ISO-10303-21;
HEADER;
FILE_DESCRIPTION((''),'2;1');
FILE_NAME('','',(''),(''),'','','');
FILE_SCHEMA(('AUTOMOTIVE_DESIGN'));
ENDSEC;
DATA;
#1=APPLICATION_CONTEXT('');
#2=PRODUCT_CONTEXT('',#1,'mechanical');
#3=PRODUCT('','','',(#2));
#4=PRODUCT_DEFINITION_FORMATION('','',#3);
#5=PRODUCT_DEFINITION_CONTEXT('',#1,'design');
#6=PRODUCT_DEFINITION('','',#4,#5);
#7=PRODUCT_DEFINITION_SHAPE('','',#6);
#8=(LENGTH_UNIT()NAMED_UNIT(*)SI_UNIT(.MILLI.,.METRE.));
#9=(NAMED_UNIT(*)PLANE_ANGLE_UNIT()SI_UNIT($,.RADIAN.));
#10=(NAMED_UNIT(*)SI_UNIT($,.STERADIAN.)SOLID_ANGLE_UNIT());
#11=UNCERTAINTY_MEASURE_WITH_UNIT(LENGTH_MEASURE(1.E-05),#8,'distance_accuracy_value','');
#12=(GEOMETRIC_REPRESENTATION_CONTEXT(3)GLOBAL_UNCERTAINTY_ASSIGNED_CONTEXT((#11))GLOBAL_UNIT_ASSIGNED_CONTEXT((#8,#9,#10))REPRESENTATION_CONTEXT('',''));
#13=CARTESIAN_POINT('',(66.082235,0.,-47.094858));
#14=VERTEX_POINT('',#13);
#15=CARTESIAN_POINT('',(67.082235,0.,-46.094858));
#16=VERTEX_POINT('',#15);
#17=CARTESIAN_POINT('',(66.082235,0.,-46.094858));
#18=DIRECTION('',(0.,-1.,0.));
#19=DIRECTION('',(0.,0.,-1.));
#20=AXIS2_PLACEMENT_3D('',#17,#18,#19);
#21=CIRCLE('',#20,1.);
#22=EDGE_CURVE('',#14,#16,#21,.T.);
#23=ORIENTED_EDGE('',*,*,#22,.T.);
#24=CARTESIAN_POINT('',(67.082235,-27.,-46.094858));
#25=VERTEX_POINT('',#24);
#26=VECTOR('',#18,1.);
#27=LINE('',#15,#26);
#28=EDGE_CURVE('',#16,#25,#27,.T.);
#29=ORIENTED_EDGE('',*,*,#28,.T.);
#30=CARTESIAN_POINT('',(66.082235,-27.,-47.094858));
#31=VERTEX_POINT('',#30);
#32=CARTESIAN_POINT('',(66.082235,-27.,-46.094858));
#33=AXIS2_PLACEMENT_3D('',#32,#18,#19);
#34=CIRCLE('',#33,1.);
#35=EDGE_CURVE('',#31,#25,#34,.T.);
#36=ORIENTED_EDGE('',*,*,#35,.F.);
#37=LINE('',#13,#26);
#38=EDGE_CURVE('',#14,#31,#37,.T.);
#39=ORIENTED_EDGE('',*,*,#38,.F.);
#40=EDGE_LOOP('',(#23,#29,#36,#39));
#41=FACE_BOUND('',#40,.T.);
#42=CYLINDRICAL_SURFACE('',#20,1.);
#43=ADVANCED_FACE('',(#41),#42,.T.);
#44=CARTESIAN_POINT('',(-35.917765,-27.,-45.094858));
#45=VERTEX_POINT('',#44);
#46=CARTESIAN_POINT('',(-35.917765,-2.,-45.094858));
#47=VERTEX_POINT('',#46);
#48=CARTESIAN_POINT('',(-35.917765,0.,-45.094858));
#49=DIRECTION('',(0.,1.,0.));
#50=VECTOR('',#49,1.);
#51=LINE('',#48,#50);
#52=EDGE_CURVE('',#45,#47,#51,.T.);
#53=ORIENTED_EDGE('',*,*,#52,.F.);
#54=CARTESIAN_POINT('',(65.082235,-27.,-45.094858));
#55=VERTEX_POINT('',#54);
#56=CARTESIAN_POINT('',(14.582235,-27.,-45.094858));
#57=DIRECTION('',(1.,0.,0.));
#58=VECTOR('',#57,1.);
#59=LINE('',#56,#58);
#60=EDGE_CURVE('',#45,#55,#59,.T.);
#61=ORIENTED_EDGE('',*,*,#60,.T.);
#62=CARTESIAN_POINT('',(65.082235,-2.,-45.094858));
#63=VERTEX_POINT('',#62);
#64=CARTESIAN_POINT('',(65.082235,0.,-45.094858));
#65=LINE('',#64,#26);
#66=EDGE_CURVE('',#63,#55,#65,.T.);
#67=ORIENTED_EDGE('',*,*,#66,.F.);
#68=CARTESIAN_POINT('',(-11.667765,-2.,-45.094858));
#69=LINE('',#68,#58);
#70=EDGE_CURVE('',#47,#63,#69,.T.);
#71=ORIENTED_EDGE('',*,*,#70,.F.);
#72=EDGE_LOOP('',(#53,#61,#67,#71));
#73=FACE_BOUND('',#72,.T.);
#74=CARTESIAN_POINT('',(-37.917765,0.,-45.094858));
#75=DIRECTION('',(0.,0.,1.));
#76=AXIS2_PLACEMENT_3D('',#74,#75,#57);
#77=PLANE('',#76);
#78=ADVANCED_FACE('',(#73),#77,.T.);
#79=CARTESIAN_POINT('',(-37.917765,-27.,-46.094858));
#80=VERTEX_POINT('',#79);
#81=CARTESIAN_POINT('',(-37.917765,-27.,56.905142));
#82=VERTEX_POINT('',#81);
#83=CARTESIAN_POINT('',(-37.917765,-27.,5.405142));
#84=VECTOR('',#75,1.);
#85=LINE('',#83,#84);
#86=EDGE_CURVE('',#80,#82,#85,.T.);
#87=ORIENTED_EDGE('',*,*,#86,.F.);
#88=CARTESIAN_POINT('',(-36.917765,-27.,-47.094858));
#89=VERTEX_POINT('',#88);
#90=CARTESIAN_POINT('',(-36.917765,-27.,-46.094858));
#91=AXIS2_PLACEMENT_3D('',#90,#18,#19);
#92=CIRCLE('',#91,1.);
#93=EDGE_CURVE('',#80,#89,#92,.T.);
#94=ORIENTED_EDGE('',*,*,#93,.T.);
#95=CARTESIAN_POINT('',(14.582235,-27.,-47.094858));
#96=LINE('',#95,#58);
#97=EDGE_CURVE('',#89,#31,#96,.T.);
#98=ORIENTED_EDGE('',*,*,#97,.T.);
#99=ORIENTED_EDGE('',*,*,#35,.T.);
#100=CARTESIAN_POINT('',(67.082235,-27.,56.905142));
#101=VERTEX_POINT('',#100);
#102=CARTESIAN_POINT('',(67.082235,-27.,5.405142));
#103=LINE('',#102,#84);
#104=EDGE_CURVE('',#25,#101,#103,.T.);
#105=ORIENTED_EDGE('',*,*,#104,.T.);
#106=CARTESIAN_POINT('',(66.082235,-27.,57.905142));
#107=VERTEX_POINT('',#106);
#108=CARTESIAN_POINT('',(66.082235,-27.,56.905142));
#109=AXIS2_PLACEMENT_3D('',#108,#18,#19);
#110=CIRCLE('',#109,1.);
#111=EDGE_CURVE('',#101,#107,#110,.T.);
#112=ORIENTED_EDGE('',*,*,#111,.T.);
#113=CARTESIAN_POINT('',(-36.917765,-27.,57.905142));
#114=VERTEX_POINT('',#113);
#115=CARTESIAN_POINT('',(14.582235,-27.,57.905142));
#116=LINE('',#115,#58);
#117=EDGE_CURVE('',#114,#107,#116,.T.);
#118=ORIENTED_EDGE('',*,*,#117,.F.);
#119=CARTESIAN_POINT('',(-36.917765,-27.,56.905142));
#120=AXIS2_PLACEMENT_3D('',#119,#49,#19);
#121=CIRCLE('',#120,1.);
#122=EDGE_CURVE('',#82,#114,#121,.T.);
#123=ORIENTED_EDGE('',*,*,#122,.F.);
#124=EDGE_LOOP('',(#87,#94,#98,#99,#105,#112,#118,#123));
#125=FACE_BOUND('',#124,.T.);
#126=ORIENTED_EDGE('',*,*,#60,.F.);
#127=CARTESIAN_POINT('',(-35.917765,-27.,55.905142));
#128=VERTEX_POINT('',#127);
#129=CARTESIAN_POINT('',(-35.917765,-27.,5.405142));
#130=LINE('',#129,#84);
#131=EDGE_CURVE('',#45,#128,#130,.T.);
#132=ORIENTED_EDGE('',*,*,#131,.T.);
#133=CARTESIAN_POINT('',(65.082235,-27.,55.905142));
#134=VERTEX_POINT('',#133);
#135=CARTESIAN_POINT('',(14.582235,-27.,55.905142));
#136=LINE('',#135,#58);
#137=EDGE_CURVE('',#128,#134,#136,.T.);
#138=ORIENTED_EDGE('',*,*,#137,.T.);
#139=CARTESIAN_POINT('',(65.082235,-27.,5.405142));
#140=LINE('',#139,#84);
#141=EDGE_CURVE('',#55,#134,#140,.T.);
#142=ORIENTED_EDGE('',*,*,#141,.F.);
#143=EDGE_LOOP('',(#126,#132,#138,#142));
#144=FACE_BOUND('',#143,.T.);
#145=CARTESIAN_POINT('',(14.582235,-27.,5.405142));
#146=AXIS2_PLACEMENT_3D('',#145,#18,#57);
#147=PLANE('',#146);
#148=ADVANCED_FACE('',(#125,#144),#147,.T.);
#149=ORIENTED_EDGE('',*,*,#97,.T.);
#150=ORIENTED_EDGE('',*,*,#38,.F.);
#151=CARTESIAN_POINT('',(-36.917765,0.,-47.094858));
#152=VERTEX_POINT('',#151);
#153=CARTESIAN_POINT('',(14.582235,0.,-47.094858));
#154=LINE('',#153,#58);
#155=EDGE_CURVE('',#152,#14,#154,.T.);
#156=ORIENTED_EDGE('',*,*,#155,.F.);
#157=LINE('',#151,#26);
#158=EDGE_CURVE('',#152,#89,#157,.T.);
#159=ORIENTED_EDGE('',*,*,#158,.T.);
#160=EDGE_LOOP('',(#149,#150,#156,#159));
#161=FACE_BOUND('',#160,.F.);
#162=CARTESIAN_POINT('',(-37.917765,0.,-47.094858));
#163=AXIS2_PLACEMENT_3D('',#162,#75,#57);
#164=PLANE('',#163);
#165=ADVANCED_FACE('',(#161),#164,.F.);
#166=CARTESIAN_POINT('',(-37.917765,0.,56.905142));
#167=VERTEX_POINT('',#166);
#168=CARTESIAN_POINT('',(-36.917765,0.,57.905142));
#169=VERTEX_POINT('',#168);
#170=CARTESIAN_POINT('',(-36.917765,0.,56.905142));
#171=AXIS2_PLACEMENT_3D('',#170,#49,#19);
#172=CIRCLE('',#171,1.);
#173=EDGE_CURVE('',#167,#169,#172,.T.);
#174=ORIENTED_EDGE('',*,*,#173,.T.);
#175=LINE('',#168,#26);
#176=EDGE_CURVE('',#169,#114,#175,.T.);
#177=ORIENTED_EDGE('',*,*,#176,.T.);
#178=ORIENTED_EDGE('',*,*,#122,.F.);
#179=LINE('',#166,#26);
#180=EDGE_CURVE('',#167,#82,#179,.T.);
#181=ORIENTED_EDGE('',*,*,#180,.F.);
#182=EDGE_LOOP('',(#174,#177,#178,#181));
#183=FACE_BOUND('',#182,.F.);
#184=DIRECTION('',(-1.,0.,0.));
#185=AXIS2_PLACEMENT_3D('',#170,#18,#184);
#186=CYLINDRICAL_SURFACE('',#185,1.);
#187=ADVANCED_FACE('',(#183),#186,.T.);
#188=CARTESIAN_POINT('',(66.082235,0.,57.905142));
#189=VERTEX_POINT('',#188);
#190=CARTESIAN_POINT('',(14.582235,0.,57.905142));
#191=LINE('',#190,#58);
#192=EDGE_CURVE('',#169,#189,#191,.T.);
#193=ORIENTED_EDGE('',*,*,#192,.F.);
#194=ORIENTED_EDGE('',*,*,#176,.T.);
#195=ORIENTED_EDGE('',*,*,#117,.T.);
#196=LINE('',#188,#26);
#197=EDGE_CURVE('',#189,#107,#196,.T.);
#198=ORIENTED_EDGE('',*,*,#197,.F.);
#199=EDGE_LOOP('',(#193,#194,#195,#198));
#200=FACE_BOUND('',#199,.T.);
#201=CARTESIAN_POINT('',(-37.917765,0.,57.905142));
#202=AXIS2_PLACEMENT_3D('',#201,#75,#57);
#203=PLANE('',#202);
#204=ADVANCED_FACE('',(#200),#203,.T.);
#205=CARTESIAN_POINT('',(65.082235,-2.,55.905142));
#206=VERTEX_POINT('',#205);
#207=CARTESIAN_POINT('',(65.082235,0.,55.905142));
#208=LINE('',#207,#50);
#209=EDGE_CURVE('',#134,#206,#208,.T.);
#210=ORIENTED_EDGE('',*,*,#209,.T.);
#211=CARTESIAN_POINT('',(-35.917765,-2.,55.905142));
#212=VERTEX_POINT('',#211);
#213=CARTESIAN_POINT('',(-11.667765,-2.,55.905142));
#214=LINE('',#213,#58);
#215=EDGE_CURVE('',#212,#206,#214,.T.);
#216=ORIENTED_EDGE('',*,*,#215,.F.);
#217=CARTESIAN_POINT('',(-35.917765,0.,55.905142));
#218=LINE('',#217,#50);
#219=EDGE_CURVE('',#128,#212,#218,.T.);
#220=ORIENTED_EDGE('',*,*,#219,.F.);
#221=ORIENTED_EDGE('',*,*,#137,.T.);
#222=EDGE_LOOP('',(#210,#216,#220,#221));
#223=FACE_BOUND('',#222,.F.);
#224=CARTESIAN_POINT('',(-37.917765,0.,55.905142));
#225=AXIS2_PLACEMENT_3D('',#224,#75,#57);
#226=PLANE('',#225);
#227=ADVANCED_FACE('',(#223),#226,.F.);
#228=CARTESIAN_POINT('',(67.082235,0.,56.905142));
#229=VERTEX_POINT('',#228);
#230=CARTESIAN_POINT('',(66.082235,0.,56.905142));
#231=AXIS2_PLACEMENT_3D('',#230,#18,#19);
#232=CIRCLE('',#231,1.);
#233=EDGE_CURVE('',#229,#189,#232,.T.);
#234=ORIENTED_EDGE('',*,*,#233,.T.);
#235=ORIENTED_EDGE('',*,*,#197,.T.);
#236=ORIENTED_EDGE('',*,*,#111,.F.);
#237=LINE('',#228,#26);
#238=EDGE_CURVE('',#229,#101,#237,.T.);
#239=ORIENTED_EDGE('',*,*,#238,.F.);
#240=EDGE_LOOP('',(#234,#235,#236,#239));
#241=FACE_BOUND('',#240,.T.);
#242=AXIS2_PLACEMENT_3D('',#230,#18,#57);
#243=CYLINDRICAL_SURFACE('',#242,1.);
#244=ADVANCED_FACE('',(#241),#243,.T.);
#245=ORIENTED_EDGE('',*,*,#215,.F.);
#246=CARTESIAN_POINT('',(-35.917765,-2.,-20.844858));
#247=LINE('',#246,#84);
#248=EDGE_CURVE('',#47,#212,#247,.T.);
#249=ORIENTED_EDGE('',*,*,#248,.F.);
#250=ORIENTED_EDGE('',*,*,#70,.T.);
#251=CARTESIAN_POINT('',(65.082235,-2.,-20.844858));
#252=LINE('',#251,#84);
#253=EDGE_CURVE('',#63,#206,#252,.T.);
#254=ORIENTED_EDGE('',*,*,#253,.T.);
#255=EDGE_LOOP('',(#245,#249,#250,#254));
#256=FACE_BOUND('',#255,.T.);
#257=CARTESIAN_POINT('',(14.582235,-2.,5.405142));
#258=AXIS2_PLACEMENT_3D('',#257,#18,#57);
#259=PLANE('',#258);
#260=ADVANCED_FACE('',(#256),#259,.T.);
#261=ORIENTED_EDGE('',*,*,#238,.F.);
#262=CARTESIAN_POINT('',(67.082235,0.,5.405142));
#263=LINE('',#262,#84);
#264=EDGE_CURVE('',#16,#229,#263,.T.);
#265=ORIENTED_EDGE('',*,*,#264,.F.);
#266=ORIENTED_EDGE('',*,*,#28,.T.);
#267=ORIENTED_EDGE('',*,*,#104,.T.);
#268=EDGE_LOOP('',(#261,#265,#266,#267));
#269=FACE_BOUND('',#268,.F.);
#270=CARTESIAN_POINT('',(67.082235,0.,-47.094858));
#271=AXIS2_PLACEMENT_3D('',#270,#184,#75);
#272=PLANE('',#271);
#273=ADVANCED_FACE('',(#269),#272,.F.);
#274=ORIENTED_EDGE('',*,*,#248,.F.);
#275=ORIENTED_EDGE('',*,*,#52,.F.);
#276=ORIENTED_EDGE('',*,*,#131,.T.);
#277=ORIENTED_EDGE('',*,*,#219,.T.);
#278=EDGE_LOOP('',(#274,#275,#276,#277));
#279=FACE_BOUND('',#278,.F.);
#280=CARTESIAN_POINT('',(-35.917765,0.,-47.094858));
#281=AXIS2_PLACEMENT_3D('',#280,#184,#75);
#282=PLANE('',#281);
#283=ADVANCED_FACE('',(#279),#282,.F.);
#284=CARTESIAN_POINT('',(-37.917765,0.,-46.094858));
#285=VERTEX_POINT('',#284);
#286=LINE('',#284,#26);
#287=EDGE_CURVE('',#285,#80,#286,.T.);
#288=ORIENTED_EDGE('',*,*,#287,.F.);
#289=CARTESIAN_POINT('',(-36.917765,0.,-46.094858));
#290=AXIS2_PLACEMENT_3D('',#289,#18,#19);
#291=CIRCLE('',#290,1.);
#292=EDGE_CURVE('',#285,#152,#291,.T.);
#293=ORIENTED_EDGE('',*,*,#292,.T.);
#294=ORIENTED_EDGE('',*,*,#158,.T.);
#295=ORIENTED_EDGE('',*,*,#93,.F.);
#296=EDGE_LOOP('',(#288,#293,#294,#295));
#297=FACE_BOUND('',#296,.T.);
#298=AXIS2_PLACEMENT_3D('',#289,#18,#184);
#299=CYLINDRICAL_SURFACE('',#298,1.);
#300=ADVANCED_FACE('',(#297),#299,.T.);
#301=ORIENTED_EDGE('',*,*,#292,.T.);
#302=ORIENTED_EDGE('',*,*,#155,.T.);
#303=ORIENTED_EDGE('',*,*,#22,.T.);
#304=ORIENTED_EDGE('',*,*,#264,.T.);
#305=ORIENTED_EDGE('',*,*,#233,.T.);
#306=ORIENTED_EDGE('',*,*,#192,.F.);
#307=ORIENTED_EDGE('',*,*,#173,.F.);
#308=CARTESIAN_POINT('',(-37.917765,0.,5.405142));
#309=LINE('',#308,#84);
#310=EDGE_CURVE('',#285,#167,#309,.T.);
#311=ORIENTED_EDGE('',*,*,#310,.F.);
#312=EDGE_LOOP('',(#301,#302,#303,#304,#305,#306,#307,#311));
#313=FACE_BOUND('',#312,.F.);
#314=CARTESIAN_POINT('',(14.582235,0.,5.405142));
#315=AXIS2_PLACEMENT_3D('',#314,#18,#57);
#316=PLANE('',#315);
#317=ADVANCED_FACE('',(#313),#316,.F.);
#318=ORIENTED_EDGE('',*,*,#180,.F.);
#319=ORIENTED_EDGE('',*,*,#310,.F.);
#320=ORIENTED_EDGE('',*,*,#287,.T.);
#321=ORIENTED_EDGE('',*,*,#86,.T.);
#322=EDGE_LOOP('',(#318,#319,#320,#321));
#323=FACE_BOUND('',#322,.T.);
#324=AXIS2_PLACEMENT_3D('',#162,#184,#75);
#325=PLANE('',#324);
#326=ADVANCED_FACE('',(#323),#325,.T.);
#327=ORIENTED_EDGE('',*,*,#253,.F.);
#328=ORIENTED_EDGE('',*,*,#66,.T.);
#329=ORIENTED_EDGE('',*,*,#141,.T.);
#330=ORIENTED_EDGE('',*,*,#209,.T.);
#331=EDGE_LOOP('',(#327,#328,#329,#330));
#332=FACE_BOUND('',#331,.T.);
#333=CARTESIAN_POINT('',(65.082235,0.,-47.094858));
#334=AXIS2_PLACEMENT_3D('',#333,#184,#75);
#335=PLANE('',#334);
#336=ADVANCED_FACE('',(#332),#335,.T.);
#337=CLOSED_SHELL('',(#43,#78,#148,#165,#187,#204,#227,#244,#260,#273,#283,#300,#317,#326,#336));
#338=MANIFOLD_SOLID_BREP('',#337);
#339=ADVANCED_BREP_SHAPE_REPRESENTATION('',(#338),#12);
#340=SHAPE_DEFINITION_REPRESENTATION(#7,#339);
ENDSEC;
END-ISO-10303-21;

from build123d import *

# Parameters (mm, degrees)
F0_W     = 105
F0_H     = 105
F1_DEPTH = 27
F2_T     = -2
F3_R     = 1


with BuildPart() as f1:
    # F0 (on Front) → F1 (new body)
    with BuildSketch(Plane.XZ):
        with Locations((14.582235, 5.405142)):
            Rectangle(F0_W, F0_H)
    extrude(amount=F1_DEPTH)

    # F2
    f2_openings = [f1.faces().sort_by_distance(p)[0] for p in [
        (14.582235, -27, 5.405142),
    ]]
    offset(amount=F2_T, openings=f2_openings)

    # F3
    f3_edges = [f1.edges().sort_by_distance(p)[0] for p in [
        (67.082235, -13.5, 57.905142),
        (67.082235, -13.5, -47.094858),
        (-37.917765, -13.5, 57.905142),
        (-37.917765, -13.5, -47.094858),
    ]]
    fillet(f3_edges, radius=F3_R)


solid = f1.part
